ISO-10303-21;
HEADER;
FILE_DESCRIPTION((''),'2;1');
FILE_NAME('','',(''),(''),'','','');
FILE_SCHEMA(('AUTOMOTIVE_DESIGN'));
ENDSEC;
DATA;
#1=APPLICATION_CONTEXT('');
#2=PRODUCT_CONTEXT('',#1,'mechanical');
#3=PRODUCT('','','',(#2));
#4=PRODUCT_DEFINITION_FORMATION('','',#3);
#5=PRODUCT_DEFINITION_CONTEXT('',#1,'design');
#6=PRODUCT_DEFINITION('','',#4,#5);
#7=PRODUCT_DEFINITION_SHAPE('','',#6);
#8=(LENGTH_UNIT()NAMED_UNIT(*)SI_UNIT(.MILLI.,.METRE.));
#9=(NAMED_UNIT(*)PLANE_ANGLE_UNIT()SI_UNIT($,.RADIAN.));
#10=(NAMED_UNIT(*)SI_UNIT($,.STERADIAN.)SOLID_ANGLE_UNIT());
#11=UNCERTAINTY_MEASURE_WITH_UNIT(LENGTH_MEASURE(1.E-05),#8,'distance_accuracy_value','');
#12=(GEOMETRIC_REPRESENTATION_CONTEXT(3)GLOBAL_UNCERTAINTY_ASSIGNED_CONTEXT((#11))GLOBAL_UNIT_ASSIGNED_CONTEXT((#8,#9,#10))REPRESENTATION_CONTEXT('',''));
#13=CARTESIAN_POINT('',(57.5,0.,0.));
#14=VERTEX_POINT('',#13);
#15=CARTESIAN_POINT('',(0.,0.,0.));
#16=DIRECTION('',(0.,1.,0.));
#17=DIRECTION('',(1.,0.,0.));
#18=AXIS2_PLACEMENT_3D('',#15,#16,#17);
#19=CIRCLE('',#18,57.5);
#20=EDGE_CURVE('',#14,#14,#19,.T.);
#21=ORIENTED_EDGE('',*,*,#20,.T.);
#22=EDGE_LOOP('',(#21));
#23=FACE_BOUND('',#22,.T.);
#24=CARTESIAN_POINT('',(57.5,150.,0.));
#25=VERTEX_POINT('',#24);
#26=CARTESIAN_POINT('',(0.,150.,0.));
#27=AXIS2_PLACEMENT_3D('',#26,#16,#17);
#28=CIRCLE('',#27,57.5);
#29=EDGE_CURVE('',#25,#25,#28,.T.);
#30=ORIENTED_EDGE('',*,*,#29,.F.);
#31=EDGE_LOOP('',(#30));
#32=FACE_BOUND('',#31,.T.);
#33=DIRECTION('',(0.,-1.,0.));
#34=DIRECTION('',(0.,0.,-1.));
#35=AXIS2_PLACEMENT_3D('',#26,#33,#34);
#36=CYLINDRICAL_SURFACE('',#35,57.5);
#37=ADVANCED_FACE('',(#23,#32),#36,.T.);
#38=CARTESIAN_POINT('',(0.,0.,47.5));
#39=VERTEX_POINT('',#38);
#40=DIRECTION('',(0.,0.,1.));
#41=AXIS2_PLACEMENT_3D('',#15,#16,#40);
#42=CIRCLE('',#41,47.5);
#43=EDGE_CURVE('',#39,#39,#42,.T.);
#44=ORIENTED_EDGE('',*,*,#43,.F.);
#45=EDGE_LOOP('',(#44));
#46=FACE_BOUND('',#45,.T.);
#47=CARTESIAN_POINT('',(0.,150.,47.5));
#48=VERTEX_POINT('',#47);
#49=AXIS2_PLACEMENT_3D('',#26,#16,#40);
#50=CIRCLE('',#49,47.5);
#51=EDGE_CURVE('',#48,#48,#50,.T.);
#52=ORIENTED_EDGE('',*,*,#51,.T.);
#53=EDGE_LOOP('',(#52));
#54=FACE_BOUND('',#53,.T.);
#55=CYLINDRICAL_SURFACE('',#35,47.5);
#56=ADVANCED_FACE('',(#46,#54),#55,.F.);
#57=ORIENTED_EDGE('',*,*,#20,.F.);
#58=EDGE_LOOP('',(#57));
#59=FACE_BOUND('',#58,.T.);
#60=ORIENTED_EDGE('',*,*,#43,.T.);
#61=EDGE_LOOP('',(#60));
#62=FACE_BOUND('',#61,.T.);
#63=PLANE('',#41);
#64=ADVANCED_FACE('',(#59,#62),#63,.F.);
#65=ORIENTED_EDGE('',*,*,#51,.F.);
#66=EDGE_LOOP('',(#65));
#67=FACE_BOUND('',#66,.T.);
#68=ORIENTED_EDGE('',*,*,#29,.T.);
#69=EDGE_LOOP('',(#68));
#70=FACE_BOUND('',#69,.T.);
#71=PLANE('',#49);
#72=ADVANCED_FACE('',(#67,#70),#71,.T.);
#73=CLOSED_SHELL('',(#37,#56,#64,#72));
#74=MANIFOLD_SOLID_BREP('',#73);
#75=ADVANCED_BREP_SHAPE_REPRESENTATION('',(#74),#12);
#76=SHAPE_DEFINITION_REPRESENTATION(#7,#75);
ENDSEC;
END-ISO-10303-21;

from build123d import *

# Parameters (mm, degrees)
SKETCH_1_R      = 57.5
SKETCH_1_R_2    = 47.5
EXTRUDE_1_DEPTH = 150


with BuildPart() as part:
    # Эскиз1 → Вытянуть-Тонкостенный1 (new body)
    with BuildSketch(Plane(origin=(0, 0, 0), x_dir=(1, 0, 0), z_dir=(0, 1, 0))):
        Circle(SKETCH_1_R)
        Circle(SKETCH_1_R_2, mode=Mode.SUBTRACT)
    extrude(amount=EXTRUDE_1_DEPTH)


solid = part.part
